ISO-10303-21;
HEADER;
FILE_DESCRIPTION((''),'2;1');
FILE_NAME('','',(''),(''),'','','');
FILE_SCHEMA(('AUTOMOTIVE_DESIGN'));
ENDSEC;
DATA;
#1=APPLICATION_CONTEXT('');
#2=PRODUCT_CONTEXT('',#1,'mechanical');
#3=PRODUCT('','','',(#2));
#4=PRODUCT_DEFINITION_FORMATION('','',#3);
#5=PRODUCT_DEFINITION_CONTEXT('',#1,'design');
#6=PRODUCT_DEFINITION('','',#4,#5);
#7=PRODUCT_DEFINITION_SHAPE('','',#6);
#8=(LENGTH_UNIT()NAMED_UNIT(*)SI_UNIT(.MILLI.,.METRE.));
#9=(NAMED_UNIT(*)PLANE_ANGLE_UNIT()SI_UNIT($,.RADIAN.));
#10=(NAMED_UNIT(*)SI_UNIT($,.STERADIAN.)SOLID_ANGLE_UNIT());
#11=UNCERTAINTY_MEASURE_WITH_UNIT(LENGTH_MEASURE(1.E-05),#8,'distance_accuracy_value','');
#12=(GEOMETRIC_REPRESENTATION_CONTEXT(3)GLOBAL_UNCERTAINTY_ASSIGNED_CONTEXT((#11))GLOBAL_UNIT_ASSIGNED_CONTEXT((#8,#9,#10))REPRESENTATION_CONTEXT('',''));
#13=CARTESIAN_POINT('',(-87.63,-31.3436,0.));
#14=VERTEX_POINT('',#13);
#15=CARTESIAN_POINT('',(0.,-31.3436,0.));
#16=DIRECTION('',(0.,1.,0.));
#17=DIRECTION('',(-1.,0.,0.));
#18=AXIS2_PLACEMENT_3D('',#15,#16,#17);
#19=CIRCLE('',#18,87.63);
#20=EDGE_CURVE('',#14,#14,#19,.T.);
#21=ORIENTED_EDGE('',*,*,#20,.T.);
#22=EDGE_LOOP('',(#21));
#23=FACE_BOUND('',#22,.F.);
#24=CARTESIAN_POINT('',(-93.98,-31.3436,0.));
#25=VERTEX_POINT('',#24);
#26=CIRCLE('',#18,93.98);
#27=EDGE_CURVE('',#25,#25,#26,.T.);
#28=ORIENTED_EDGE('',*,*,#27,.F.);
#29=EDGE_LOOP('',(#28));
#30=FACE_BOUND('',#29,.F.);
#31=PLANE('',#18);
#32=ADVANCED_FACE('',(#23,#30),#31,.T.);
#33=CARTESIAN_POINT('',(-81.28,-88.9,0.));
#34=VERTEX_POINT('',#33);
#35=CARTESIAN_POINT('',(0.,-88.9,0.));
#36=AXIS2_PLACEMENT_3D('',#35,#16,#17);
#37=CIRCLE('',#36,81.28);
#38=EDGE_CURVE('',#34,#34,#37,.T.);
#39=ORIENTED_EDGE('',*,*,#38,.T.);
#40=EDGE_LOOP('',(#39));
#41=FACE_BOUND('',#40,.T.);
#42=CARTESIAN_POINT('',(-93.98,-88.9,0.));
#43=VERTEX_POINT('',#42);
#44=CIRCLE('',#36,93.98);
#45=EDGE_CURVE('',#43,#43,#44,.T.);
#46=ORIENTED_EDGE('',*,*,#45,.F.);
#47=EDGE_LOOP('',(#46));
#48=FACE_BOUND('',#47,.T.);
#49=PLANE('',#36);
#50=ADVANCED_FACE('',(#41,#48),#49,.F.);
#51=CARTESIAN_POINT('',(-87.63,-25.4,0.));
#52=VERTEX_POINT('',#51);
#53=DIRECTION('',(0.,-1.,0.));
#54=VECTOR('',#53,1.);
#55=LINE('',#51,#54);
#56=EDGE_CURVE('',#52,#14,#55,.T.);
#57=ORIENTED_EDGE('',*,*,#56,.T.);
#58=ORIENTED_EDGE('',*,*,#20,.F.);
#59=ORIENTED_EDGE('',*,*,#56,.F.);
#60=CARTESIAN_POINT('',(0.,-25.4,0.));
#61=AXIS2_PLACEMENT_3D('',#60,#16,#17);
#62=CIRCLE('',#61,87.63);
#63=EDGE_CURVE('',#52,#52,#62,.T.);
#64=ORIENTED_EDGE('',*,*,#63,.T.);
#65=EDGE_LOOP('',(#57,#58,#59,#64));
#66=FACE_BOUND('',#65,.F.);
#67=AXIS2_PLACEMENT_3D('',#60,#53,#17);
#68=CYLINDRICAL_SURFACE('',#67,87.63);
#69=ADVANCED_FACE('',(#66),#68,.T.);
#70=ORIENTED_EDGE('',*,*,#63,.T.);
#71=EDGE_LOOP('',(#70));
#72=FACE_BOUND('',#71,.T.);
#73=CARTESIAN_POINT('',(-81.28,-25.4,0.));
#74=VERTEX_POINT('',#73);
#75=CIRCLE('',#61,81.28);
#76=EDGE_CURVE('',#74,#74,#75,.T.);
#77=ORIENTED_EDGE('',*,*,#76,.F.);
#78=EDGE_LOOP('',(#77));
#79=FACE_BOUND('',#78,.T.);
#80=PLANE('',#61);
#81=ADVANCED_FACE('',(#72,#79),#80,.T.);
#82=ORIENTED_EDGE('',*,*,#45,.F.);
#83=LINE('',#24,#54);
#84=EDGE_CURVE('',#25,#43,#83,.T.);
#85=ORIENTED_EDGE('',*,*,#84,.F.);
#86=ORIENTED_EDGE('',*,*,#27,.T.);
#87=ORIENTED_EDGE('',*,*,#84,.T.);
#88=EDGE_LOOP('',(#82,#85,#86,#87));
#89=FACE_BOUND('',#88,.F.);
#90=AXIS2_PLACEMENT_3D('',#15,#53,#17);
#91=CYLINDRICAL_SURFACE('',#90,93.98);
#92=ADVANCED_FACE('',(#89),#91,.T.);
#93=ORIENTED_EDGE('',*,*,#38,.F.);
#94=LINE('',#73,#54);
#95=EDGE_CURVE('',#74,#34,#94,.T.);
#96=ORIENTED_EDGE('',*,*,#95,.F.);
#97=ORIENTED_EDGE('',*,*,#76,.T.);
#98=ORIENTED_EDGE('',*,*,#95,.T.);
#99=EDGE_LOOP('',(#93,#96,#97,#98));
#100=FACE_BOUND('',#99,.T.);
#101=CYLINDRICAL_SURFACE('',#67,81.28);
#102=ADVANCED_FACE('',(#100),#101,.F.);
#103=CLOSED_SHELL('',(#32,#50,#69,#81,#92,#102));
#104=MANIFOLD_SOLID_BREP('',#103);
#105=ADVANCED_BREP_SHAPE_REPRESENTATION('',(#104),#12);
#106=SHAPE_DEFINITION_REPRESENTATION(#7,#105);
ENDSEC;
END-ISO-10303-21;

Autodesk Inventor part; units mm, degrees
ref_plane "YZ Plane" through (0, 0, 0) normal (1, 0, 0) x (0, 1, 0)
ref_plane "XZ Plane" through (0, 0, 0) normal (0, 1, 0) x (-1, 0, 0)
ref_plane "XY Plane" through (0, 0, 0) normal (0, 0, 1) x (1, 0, 0)
sketch "Sketch1" plane through (0, 0, 0) normal (0, 0, 1) x (1, 0, 0)
  line L0 (0, 25.4) -> (-28.702, 25.4) construction
  line L1 (0, 25.4) -> (-93.98, 25.4) construction
  line L2 (-93.98, 25.4) -> (-90.805, 25.4) construction
  line L3 (-90.805, 25.4) -> (-84.455, 22.4389) construction
  line L4 (-90.805, 25.4) -> (-90.805, 22.4389) construction
  line L5 (-90.805, 0) -> (-93.98, 0)
  line L6 (-28.702, 59.6457) -> (-28.702, -91.9304) construction
  arc A0 (-28.9184, -9.248) -> (-32.3684, -1.8494) centre (-35.052, -7.6045) ccw
  line L7 (-74.93, -180.9657) -> (-28.702, -8.4405)
  line L8 (-90.805, 25.4) -> (-90.805, 0)
  line L9 (-90.805, 25.4) -> (-32.3684, -1.8494)
  line L10 (-28.702, -7.6045) -> (-60.452, -7.6045) construction
  line L11 (-60.452, -126.9331) -> (-54.102, -126.9331) construction
  line L12 (-54.102, -126.9331) -> (-54.102, -103.2346) construction
  line L13 (-54.102, -103.2346) -> (-60.452, -103.2346)
  line L14 (-60.452, 11.2462) -> (-60.452, 1.7212) construction
  line L15 (-60.452, 11.2462) -> (-60.452, 4.7154) construction
  line L16 (-60.452, 4.7154) -> (-46.4468, 4.7154)
  line L17 (-93.98, 0) -> (-93.98, -12.7) construction
  line L18 (-60.452, -12.7) -> (-73.152, -12.7) construction
  line L19 (-93.98, -12.7) -> (-93.98, -25.4) construction
  line L20 (-93.98, -25.4) -> (-93.98, -88.9) construction
  line L21 (-93.98, -88.9) -> (-81.28, -88.9) construction
  line L22 (-81.28, -88.9) -> (-81.28, -25.4) construction
  line L23 (-93.98, -25.4) -> (-81.28, -25.4)
  line L24 (-81.28, -25.4) -> (-81.28, -88.9)
  line L25 (-81.28, -88.9) -> (-93.98, -88.9)
  line L26 (-93.98, -12.7) -> (-73.152, -12.7)
  line L27 (-73.152, -138.7824) -> (-63.627, -138.7824)
  line L28 (-81.28, -88.9) -> (-81.28, -180.9657)
  line L29 (-81.28, -180.9657) -> (-74.93, -180.9657)
  line L30 (-73.152, -12.7) -> (-73.152, -138.7824)
  line L31 (-87.63, -25.4) -> (-87.63, -31.3436)
  line L32 (-87.63, -31.3436) -> (-93.98, -31.3436)
  line L33 (-93.98, 0) -> (-93.98, -25.4)
  line L34 (-93.98, -31.3436) -> (-93.98, -88.9)
  line L35 (-87.63, -155.5657) -> (-87.63, -216.5135)
  line L36 (-28.9184, -9.248) -> (-84.455, -216.5135)
  line L37 (-84.455, -216.5135) -> (-87.63, -216.5135)
  line L38 (-81.28, -155.5657) -> (-87.63, -155.5657)
  line L39 (-66.802, -38.1) -> (-73.152, -38.1)
  line L40 (-66.802, -38.1) -> (-66.802, 4.7154)
  line L41 (-66.802, 4.7154) -> (-60.452, 4.7154)
  line L42 (-66.802, -38.1) -> (-60.452, -103.2346)
  line L43 (-60.452, 11.2462) -> (-60.452, 4.7154) construction
  line L44 (-60.452, -7.6045) -> (-60.452, -12.7) construction
  line L45 (-60.452, -103.2346) -> (-60.452, -126.9331) construction
  line L46 (0, -319.0244) -> (0, 122.7573) projected
  point P0 (0, 0)
  point P1 (-93.98, -255.9127)
  point P2 (-88.7095, 22.4389)
  dimension "d0" = 28.702
  dimension "d1" = 93.98
  dimension "d2" = 3.175
  dimension "d3" = 25
  dimension "d5" = 25.4
  dimension "d6" = 25.4
  dimension "d8" = 12.7
  dimension "d12" = 31.75
  dimension "d13" = 6.35
  dimension "d16" = 12.7
  dimension "d17" = 12.7
  dimension "d18" = 12.7
  dimension "d19" = 63.5
  dimension "d20" = 12.7
  dimension "d22" = 9.525
  dimension "d23" = 6.35
  dimension "d25" = 5.9436
  dimension "d27" = 3.175
  dimension "d28" = 6.35
  dimension "d29" = 25.4
  dimension "d30" = 107.95
  dimension "d31" = 6.35
  dimension "d32" = 25.4
  dimension "d33" = 20.3552
  dimension "d34" = 15
revolve "Revolution1" add sketch "Sketch1" angle 360 about axis through (0, -10, 0) along (0, 1, 0) contours L23 L24 L25 L34 L32 L31
properties part number "aluminum_retainer" material "Aluminum 6061"
